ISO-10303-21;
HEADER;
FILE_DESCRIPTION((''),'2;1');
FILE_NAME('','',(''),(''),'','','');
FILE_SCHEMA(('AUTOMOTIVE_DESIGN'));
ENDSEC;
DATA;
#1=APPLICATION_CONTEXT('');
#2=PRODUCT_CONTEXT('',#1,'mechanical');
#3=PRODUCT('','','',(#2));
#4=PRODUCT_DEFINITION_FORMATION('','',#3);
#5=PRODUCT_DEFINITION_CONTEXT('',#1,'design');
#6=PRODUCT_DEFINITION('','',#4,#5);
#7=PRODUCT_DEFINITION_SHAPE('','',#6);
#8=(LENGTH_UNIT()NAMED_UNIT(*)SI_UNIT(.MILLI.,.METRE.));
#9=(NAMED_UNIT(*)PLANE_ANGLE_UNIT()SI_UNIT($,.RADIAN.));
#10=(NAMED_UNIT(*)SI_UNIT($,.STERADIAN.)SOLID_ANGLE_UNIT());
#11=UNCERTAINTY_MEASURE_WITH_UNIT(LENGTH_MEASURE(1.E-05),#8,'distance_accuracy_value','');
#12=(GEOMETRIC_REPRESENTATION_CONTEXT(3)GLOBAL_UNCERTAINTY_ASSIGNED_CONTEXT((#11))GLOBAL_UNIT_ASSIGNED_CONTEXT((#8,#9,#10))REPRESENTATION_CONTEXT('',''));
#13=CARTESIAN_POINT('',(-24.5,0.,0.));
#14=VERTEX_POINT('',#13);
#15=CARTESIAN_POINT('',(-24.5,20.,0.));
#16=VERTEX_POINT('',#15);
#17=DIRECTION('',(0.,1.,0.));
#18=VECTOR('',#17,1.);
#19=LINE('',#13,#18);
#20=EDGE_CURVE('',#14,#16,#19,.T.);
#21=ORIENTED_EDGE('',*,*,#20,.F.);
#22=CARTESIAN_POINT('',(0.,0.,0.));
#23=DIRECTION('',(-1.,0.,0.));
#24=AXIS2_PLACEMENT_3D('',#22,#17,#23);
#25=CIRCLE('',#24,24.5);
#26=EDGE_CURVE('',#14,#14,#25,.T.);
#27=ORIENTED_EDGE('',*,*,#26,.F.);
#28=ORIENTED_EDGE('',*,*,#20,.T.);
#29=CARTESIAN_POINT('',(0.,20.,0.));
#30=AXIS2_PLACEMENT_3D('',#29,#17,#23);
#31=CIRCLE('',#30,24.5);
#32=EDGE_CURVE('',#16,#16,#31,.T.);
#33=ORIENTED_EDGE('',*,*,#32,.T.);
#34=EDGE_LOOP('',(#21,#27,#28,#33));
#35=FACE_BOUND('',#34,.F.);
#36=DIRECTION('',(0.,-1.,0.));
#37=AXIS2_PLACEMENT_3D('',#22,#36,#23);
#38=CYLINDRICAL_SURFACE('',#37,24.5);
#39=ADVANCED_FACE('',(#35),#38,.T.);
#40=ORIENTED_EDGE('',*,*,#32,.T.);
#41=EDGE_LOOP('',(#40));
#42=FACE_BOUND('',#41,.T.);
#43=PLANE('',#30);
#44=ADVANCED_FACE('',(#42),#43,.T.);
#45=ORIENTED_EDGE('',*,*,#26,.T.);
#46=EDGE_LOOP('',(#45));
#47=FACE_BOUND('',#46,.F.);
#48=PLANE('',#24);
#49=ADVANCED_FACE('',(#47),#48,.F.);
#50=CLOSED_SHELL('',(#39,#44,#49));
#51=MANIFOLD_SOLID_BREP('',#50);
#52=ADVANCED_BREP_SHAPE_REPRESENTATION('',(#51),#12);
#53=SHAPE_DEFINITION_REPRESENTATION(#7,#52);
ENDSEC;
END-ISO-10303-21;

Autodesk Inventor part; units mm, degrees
ref_plane "YZ Plane" through (0, 0, 0) normal (1, 0, 0) x (0, 1, 0)
ref_plane "XZ Plane" through (0, 0, 0) normal (0, 1, 0) x (-1, 0, 0)
ref_plane "XY Plane" through (0, 0, 0) normal (0, 0, 1) x (1, 0, 0)
sketch "Sketch1" plane through (0, 0, 0) normal (0, 1, 0) x (-1, 0, 0)
  circle A0 centre (0, 0) radius 24.5
  dimension "d0" = 49
extrude "Extrusion1" add sketch "Sketch1" along normal blind 20
properties part number "motor-mount-top"
